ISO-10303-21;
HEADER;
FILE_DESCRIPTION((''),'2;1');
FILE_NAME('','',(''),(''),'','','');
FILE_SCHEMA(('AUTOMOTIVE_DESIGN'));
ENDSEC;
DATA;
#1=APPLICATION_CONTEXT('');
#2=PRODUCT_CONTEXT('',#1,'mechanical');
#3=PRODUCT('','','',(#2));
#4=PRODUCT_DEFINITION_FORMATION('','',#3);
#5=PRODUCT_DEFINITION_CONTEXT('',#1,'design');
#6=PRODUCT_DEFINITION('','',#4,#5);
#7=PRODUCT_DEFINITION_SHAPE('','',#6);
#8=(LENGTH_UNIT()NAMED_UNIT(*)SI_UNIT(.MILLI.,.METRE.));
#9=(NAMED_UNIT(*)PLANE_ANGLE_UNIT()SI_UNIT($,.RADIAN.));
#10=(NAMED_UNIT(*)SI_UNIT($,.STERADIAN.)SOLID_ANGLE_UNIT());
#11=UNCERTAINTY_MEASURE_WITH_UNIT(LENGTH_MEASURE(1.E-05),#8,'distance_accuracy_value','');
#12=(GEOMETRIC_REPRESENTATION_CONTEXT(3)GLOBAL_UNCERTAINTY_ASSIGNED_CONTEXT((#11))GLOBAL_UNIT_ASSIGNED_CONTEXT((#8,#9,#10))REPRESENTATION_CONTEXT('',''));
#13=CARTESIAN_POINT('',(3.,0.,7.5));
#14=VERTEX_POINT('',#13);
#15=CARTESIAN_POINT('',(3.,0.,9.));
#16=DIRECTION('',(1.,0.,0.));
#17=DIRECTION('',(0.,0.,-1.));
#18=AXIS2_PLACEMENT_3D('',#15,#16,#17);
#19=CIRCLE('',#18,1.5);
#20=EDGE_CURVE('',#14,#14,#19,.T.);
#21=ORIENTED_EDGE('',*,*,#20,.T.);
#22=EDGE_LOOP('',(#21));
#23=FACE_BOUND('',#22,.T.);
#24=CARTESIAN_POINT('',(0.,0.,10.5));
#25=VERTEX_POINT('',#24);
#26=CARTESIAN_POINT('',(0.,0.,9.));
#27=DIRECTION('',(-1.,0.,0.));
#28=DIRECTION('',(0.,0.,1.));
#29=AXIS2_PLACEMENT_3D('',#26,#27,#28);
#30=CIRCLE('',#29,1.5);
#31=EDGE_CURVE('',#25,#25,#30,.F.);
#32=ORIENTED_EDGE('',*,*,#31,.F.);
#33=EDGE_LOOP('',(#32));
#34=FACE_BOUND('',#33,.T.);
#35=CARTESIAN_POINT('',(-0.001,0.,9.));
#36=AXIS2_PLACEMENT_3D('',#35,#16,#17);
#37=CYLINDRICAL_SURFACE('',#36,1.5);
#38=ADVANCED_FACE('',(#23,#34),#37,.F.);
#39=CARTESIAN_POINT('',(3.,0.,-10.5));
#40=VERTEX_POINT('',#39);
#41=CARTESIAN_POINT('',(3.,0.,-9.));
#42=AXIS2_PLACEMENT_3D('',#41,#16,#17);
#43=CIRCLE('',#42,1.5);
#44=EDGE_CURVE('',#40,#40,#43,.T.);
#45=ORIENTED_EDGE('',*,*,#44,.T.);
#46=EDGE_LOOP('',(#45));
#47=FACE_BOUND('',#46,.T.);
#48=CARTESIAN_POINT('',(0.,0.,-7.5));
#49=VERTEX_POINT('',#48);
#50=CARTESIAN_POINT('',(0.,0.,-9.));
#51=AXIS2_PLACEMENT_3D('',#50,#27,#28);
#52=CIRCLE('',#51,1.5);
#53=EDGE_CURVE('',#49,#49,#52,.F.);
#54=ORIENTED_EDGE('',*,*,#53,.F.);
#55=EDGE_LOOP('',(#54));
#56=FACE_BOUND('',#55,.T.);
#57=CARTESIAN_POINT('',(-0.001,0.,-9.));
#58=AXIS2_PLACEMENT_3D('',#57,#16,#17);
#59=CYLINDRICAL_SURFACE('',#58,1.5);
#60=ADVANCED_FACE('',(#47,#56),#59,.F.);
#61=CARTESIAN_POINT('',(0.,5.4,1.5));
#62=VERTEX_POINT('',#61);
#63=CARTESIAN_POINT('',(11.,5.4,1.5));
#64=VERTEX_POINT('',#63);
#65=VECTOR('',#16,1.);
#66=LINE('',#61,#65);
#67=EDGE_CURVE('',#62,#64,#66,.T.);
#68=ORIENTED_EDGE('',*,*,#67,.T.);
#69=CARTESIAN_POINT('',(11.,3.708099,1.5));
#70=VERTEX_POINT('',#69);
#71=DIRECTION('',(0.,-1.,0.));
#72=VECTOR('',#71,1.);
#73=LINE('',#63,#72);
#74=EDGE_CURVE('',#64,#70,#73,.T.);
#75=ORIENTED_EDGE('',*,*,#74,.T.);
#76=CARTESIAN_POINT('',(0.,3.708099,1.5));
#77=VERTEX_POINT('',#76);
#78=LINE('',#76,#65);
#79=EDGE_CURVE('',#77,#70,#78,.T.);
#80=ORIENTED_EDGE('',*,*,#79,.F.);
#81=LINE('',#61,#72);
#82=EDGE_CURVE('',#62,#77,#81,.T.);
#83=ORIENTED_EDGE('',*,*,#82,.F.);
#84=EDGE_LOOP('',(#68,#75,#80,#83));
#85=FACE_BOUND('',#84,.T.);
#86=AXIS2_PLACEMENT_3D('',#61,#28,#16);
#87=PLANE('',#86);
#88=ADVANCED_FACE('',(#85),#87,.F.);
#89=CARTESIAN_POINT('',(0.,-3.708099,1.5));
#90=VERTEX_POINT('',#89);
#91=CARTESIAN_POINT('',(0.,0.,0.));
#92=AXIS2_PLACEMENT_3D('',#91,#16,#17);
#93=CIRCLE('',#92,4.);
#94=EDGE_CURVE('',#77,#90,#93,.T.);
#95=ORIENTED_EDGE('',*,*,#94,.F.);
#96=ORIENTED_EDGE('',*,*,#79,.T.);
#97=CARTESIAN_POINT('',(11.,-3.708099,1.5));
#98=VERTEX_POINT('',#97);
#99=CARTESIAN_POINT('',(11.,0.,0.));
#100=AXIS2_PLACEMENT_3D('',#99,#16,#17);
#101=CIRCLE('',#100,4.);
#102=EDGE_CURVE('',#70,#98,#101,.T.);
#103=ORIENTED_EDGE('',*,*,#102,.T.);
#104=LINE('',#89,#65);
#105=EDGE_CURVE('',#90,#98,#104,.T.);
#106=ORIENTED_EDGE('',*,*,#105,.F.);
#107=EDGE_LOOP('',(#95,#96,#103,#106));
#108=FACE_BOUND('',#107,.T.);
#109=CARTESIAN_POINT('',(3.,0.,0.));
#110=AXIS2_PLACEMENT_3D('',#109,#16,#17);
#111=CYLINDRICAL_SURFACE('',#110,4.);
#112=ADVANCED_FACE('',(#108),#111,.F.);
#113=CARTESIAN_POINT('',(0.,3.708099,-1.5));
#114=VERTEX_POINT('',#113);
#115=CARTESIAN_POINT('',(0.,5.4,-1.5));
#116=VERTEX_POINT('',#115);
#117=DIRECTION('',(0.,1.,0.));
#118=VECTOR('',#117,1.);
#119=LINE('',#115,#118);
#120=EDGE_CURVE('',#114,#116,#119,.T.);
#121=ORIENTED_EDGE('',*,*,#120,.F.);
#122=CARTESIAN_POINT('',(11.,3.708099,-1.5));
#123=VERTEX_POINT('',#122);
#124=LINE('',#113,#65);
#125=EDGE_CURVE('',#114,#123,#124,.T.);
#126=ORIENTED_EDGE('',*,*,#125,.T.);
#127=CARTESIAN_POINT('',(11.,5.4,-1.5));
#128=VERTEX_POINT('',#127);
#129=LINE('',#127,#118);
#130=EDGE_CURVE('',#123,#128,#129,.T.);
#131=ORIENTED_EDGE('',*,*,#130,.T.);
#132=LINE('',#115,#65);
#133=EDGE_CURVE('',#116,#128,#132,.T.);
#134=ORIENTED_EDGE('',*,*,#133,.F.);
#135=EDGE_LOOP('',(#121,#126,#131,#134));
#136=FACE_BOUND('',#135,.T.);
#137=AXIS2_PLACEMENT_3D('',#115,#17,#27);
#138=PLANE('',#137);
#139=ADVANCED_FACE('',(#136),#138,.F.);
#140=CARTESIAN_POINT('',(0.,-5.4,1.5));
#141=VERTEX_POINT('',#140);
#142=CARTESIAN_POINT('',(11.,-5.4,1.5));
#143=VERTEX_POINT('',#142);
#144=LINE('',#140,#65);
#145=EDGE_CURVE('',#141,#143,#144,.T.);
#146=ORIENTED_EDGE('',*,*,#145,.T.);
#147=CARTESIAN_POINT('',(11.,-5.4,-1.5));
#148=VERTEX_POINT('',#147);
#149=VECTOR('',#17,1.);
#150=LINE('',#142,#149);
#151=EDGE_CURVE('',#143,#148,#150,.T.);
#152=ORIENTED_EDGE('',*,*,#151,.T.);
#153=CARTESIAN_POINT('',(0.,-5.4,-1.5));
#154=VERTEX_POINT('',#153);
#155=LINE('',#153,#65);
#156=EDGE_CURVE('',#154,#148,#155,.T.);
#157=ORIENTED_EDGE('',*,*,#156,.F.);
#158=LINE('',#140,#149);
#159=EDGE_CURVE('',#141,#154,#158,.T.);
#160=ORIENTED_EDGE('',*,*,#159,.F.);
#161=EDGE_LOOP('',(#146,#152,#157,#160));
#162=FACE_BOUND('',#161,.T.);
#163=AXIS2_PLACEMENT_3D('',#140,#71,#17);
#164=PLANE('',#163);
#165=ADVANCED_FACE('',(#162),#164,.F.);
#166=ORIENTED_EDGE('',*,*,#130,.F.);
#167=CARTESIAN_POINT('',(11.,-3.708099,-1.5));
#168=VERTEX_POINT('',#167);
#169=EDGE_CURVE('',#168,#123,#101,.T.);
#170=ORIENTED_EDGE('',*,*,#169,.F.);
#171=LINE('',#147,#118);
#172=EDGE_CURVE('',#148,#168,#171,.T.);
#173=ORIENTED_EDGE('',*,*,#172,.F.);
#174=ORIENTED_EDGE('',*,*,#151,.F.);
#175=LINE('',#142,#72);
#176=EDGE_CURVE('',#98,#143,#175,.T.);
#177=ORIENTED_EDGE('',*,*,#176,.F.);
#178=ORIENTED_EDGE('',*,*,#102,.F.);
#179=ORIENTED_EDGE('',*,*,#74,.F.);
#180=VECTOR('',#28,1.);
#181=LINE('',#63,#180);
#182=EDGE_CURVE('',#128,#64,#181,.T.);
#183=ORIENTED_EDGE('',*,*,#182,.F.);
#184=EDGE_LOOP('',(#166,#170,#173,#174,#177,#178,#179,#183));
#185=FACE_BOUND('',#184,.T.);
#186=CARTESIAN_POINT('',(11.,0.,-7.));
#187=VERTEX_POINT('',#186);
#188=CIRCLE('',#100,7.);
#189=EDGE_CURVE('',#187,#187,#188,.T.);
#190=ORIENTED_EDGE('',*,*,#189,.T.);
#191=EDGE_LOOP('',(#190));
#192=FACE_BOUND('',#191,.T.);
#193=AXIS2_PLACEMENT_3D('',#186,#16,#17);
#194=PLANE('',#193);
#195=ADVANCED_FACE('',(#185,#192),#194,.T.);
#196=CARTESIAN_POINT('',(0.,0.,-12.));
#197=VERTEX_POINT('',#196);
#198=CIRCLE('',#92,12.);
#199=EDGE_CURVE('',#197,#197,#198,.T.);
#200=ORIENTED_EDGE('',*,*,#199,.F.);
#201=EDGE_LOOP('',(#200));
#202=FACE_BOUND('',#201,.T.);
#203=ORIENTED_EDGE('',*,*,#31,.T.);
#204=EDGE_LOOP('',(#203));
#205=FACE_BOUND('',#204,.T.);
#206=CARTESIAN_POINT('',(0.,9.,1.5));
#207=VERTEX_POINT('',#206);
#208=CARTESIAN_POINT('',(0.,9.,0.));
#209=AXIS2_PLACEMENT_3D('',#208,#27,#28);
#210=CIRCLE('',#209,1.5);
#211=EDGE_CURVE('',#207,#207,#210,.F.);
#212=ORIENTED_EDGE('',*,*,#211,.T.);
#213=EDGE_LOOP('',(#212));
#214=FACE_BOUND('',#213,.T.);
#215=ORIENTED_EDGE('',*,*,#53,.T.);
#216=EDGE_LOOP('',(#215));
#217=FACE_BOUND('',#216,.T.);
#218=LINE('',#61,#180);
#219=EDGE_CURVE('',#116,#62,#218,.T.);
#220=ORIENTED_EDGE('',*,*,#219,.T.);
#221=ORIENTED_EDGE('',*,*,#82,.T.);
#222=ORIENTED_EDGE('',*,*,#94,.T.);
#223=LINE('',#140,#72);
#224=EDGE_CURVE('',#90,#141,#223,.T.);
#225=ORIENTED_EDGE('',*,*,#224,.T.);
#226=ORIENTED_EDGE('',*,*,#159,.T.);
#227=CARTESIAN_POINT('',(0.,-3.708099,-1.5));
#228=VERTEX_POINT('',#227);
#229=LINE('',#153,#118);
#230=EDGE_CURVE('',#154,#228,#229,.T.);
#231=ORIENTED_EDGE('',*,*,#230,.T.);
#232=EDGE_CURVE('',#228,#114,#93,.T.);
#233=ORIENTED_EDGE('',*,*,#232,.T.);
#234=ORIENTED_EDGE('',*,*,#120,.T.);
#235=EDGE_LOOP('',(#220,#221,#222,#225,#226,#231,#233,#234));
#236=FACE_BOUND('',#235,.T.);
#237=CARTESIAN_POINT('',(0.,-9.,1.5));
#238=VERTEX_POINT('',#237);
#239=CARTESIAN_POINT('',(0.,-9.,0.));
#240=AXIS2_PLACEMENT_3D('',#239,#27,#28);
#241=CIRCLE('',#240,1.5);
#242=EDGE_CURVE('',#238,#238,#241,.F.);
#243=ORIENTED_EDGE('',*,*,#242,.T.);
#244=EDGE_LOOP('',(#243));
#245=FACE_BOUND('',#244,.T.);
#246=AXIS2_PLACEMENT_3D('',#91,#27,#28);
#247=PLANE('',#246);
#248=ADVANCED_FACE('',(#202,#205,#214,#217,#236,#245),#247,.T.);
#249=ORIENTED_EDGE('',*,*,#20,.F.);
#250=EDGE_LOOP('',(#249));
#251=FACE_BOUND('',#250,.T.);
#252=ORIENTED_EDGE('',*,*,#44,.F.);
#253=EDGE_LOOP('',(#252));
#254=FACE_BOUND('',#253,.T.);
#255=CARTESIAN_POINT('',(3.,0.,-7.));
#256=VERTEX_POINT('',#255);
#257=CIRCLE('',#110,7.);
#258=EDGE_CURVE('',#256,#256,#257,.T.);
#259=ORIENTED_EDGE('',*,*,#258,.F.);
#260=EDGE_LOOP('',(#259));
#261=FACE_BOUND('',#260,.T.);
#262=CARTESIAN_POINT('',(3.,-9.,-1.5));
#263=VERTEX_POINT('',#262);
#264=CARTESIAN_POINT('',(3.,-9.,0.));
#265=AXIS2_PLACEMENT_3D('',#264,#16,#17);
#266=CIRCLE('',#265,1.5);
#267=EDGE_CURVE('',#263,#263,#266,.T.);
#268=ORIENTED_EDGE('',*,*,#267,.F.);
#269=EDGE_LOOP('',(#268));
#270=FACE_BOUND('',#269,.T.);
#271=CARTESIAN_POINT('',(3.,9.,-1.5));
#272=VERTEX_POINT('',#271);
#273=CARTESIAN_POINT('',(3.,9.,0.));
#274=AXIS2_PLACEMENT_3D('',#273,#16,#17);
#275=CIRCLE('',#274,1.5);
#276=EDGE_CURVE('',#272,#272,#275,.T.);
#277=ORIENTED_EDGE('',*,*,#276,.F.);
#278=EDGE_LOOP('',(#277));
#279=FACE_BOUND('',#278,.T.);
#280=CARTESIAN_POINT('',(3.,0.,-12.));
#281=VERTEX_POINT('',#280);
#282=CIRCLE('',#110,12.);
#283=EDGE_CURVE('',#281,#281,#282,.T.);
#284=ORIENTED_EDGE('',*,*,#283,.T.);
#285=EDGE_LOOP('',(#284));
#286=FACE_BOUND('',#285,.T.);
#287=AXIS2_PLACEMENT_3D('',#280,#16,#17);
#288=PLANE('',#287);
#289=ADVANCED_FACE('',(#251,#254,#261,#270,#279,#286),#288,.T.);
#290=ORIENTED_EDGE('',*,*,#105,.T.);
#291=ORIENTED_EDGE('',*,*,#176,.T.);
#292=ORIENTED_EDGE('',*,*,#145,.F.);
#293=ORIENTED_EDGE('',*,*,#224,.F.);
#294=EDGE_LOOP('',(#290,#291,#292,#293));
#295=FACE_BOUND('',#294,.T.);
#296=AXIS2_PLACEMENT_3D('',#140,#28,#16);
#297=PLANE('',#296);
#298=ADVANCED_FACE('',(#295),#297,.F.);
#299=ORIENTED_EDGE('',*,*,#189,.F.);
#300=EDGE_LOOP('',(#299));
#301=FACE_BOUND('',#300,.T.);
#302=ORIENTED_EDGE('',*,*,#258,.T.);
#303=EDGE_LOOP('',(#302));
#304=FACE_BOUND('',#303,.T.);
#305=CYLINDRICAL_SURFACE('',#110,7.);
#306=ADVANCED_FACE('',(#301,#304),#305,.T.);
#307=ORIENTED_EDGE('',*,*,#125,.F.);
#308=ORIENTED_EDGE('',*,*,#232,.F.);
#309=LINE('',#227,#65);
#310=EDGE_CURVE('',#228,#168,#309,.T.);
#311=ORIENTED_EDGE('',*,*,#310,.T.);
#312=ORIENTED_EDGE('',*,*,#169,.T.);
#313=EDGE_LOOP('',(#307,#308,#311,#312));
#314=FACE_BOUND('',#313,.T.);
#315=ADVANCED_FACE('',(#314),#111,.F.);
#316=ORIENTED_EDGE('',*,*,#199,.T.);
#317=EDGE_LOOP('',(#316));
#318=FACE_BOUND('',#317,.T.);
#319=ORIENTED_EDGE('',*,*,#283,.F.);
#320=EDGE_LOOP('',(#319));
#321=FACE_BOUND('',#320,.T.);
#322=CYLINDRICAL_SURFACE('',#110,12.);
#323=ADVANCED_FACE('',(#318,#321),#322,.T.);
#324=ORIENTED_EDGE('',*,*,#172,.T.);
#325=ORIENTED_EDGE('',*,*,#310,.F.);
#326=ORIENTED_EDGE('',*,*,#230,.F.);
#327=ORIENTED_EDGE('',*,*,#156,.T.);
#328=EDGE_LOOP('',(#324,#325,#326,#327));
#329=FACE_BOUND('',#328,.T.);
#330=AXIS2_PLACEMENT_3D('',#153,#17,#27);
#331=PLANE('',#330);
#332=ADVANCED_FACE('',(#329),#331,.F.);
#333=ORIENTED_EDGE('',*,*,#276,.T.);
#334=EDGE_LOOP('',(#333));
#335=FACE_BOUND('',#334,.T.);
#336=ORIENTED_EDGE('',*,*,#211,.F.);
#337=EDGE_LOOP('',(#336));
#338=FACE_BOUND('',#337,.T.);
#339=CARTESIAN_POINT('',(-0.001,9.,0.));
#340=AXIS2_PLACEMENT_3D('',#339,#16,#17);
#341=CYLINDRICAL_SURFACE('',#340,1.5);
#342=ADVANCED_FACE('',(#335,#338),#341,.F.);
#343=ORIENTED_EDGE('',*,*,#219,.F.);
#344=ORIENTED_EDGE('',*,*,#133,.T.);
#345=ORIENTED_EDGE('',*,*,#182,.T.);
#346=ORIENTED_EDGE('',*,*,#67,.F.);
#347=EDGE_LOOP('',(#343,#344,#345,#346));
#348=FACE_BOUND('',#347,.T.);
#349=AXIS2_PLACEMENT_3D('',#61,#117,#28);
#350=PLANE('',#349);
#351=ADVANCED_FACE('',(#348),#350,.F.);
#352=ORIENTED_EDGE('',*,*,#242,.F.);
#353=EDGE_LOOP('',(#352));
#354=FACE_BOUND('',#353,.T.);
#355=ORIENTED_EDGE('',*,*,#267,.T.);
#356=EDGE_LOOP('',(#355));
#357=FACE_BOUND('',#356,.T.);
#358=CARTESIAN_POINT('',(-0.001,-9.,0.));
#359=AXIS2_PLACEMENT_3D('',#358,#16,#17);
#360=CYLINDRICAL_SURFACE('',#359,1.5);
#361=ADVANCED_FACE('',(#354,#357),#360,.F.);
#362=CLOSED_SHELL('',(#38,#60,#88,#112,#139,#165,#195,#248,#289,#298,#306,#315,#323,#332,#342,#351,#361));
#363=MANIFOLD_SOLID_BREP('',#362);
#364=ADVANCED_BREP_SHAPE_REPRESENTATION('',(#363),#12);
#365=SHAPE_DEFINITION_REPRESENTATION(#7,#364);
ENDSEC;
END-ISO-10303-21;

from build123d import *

# Parameters (mm, degrees)
CUT_EXTRUDE_1_DEPTH = 21.223748416
CUT_EXTRUDE_2_REACH = 20.762
SKETCH_3_R          = 1.5
SKETCH_5_R          = 1.7
CUT_EXTRUDE_3_DEPTH = 21.223748416
SKETCH_6_R          = 4
CUT_EXTRUDE_4_DEPTH = 19.761663039


with BuildPart() as part:
    # 草图1 → 旋转1 (revolve)
    with BuildSketch(Plane(origin=(0, 0, 0), x_dir=(1, 0, 0), z_dir=(0, 1, 0))):
        Polygon((0, 0), (0, 12), (3, 12), (3, 7), (11, 7), (11, 4), (3, 4), (3, 0), align=None)
    revolve(axis=Axis((3, 0, 0), (-1, 0, 0)))

    # 草图2 → 切除-拉伸1 (cut, through all)
    with BuildSketch(Plane(origin=(11, 0, 0), x_dir=(0, 0, -1), z_dir=(1, 0, 0))):
        with BuildLine():
            Line((1.5, -5.4), (1.5, -3.708099244))
            ThreePointArc((1.5, -3.708099244), (0, -4), (-1.5, -3.708099244))
            Line((-1.5, -3.708099244), (-1.5, -5.4))
            Line((-1.5, -5.4), (1.5, -5.4))
        make_face()
        with BuildLine():
            Line((-1.5, 5.4), (1.5, 5.4))
            Line((1.5, 5.4), (1.5, 3.708099244))
            ThreePointArc((1.5, 3.708099244), (0, 4), (-1.5, 3.708099244))
            Line((-1.5, 3.708099244), (-1.5, 5.4))
        make_face()
    extrude(amount=-CUT_EXTRUDE_1_DEPTH, mode=Mode.SUBTRACT)

    # 草图3 → 切除-拉伸2 (cut, up to next)
    with BuildSketch(Plane(origin=(3, 0, 0), x_dir=(0, 0, -1), z_dir=(1, 0, 0)), mode=Mode.PRIVATE) as cut_extrude_2_sk1:
        with Locations((0, 9)):
            Circle(SKETCH_3_R)
    cut_extrude_2_tool1 = extrude(cut_extrude_2_sk1.sketch, amount=-CUT_EXTRUDE_2_REACH, mode=Mode.PRIVATE) & part.part
    # 草图3 → 切除-拉伸2 (cut, up to next)
    with BuildSketch(Plane(origin=(3, 0, 0), x_dir=(0, 0, -1), z_dir=(1, 0, 0)), mode=Mode.PRIVATE) as cut_extrude_2_sk2:
        with Locations((9, 0)):
            Circle(SKETCH_3_R)
    cut_extrude_2_tool2 = extrude(cut_extrude_2_sk2.sketch, amount=-CUT_EXTRUDE_2_REACH, mode=Mode.PRIVATE) & part.part
    # 草图3 → 切除-拉伸2 (cut, up to next)
    with BuildSketch(Plane(origin=(3, 0, 0), x_dir=(0, 0, -1), z_dir=(1, 0, 0)), mode=Mode.PRIVATE) as cut_extrude_2_sk3:
        with Locations((0, -9)):
            Circle(SKETCH_3_R)
    cut_extrude_2_tool3 = extrude(cut_extrude_2_sk3.sketch, amount=-CUT_EXTRUDE_2_REACH, mode=Mode.PRIVATE) & part.part
    # 草图3 → 切除-拉伸2 (cut, up to next)
    with BuildSketch(Plane(origin=(3, 0, 0), x_dir=(0, 0, -1), z_dir=(1, 0, 0)), mode=Mode.PRIVATE) as cut_extrude_2_sk4:
        with Locations((-9, 0)):
            Circle(SKETCH_3_R)
    cut_extrude_2_tool4 = extrude(cut_extrude_2_sk4.sketch, amount=-CUT_EXTRUDE_2_REACH, mode=Mode.PRIVATE) & part.part
    add(cut_extrude_2_tool1.solids().sort_by_distance((3, 9, 0))[0], mode=Mode.SUBTRACT)
    add(cut_extrude_2_tool2.solids().sort_by_distance((3, 0, -9))[0], mode=Mode.SUBTRACT)
    add(cut_extrude_2_tool3.solids().sort_by_distance((3, -9, 0))[0], mode=Mode.SUBTRACT)
    add(cut_extrude_2_tool4.solids().sort_by_distance((3, 0, 9))[0], mode=Mode.SUBTRACT)

    # 草图5 → 切除-拉伸3 (cut, through all)
    with BuildSketch(Plane.ZY):
        Circle(SKETCH_5_R)
    extrude(amount=-CUT_EXTRUDE_3_DEPTH, mode=Mode.SUBTRACT)

    # 草图6 → 切除-拉伸4 (cut, through all)
    with BuildSketch(Plane(origin=(3, 0, 0), x_dir=(0, 0, -1), z_dir=(1, 0, 0))):
        Circle(SKETCH_6_R)
    extrude(amount=-CUT_EXTRUDE_4_DEPTH, mode=Mode.SUBTRACT)


solid = part.part
